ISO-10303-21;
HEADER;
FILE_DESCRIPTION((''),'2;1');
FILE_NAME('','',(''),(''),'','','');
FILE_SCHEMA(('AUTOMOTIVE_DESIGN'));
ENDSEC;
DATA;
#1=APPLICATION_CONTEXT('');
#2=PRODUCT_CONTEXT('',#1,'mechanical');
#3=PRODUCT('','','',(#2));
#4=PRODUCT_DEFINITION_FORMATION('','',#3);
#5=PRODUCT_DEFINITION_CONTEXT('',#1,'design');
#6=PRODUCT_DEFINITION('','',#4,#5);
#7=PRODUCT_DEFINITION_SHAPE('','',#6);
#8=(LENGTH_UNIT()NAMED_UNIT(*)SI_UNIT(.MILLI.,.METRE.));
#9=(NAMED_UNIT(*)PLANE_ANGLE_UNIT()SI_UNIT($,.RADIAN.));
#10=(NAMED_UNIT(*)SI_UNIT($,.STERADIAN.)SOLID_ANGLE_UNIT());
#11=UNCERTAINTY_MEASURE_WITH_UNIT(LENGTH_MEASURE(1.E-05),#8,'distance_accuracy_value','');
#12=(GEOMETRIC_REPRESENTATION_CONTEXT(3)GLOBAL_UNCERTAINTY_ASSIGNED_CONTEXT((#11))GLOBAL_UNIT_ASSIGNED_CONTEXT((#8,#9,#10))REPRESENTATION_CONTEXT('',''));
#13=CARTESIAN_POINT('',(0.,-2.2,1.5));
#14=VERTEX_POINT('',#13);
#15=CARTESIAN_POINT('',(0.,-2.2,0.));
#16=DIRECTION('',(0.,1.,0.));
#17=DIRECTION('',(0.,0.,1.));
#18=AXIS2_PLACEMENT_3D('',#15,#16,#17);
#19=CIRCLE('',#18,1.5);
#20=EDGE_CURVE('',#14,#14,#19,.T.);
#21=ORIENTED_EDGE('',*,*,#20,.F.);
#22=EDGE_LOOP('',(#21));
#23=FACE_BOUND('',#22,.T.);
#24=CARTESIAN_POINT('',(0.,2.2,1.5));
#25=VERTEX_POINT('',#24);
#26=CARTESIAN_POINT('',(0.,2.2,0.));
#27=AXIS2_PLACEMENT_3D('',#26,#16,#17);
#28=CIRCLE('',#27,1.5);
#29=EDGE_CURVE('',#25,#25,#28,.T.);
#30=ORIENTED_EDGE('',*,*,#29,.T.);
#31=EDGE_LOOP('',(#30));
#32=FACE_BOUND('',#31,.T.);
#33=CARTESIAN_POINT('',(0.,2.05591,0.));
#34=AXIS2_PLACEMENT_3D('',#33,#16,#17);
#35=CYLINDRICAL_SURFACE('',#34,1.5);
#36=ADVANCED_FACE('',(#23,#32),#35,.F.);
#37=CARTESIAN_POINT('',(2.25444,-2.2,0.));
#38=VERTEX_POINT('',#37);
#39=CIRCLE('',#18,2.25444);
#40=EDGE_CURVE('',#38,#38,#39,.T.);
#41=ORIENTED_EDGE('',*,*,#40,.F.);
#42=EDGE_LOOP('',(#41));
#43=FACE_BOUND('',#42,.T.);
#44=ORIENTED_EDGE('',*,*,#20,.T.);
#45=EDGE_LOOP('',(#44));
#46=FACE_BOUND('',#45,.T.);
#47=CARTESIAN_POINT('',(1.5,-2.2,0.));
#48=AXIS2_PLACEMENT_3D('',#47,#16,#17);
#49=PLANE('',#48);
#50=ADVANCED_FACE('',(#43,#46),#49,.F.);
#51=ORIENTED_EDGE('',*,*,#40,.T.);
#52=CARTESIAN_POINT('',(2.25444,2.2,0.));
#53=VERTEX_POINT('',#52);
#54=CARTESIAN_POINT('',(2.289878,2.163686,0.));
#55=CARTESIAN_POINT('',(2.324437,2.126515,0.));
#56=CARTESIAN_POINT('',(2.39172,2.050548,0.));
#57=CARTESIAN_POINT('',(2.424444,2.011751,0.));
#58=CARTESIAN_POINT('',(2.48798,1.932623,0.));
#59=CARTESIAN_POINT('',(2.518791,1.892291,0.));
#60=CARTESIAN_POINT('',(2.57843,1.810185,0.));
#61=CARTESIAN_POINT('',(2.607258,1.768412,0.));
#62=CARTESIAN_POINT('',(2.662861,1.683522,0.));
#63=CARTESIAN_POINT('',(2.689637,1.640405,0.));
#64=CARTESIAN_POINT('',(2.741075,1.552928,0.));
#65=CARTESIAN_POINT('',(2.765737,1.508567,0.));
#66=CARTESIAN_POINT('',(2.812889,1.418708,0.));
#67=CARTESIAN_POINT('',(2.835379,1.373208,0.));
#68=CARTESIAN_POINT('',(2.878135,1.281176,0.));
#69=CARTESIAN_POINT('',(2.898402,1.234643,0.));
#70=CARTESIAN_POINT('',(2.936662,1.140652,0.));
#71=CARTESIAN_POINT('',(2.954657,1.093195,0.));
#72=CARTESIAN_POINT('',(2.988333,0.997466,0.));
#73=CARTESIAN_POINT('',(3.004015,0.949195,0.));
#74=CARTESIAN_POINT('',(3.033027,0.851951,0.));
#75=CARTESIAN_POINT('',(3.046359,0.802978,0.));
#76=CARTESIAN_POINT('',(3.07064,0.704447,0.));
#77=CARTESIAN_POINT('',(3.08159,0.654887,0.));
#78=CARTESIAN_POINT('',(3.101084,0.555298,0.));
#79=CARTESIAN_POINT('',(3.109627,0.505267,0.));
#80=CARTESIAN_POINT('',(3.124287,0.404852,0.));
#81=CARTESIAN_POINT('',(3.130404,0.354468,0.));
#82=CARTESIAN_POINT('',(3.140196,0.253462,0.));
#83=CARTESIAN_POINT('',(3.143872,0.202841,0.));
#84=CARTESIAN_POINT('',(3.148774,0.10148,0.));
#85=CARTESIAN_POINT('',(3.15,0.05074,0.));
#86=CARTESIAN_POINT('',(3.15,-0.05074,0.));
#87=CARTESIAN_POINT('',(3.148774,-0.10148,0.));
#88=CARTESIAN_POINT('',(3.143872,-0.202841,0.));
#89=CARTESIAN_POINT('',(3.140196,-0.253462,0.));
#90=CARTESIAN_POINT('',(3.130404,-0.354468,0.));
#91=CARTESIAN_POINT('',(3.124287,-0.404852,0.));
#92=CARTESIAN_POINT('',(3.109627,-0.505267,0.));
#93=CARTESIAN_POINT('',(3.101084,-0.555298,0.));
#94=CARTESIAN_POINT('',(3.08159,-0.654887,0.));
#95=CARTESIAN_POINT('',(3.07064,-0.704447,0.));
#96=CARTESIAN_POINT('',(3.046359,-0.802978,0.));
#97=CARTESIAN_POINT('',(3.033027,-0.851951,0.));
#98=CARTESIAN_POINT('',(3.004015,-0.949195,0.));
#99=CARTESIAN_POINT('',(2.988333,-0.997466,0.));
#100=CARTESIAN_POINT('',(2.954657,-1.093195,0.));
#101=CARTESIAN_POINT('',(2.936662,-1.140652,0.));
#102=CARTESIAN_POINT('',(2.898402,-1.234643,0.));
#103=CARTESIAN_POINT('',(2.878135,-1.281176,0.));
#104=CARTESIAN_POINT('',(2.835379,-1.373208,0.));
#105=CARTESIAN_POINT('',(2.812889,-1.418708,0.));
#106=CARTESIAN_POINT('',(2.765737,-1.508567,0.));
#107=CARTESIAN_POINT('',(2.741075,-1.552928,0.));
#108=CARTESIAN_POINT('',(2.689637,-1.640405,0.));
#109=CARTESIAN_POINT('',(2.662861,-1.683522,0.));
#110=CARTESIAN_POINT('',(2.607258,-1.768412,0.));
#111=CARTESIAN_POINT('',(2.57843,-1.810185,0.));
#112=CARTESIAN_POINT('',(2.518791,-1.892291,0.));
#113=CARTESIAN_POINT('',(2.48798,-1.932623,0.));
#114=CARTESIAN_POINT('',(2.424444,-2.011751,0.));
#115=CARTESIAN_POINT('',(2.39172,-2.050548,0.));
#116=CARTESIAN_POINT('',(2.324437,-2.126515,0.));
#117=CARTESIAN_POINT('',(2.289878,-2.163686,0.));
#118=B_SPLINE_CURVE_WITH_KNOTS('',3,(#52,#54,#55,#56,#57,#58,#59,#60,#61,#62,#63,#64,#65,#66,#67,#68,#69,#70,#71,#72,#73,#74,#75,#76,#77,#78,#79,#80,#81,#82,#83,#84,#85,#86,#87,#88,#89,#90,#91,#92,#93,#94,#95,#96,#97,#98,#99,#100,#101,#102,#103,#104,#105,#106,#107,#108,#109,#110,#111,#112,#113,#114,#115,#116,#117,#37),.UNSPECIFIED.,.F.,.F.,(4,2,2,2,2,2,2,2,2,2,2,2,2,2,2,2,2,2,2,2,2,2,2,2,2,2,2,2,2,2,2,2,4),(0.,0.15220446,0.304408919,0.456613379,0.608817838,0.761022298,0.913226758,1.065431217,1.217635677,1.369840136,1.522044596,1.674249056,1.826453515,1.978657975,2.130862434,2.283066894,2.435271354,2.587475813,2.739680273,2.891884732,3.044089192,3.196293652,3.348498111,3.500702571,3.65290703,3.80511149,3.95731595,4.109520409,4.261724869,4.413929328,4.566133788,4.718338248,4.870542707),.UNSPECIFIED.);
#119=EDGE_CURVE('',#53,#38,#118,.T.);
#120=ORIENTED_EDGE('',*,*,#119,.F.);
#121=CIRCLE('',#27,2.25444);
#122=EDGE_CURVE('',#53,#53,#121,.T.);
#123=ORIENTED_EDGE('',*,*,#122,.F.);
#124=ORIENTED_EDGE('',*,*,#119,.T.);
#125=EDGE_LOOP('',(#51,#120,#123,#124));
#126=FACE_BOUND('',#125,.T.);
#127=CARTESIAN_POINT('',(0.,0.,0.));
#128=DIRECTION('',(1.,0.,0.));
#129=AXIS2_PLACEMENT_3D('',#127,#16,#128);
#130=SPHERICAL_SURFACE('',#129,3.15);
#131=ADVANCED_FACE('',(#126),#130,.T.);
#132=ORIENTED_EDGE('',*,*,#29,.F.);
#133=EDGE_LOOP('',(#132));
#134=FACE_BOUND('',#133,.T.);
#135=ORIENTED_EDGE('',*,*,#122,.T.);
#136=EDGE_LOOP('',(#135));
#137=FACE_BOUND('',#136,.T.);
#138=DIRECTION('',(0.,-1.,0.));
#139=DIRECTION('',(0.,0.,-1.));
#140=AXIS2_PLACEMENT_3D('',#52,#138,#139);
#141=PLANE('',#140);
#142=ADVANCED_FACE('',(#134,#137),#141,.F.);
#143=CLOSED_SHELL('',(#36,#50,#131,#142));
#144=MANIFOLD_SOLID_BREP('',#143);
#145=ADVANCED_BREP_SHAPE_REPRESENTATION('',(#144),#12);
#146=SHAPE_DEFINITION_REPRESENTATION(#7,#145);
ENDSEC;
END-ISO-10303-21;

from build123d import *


with BuildPart() as part:
    # Sketch1 → Revolve1 (revolve)
    with BuildSketch(Plane.XY):
        with BuildLine():
            Line((2.254440064, 2.2), (1.5, 2.2))
            Line((1.5, 2.2), (1.5, -2.2))
            Line((1.5, -2.2), (2.254440064, -2.2))
            ThreePointArc((2.254440064, -2.2), (3.15, 0), (2.254440064, 2.2))
        make_face()
    revolve(axis=Axis((0, 2.055910493, 0), (0, -1, 0)))


solid = part.part
